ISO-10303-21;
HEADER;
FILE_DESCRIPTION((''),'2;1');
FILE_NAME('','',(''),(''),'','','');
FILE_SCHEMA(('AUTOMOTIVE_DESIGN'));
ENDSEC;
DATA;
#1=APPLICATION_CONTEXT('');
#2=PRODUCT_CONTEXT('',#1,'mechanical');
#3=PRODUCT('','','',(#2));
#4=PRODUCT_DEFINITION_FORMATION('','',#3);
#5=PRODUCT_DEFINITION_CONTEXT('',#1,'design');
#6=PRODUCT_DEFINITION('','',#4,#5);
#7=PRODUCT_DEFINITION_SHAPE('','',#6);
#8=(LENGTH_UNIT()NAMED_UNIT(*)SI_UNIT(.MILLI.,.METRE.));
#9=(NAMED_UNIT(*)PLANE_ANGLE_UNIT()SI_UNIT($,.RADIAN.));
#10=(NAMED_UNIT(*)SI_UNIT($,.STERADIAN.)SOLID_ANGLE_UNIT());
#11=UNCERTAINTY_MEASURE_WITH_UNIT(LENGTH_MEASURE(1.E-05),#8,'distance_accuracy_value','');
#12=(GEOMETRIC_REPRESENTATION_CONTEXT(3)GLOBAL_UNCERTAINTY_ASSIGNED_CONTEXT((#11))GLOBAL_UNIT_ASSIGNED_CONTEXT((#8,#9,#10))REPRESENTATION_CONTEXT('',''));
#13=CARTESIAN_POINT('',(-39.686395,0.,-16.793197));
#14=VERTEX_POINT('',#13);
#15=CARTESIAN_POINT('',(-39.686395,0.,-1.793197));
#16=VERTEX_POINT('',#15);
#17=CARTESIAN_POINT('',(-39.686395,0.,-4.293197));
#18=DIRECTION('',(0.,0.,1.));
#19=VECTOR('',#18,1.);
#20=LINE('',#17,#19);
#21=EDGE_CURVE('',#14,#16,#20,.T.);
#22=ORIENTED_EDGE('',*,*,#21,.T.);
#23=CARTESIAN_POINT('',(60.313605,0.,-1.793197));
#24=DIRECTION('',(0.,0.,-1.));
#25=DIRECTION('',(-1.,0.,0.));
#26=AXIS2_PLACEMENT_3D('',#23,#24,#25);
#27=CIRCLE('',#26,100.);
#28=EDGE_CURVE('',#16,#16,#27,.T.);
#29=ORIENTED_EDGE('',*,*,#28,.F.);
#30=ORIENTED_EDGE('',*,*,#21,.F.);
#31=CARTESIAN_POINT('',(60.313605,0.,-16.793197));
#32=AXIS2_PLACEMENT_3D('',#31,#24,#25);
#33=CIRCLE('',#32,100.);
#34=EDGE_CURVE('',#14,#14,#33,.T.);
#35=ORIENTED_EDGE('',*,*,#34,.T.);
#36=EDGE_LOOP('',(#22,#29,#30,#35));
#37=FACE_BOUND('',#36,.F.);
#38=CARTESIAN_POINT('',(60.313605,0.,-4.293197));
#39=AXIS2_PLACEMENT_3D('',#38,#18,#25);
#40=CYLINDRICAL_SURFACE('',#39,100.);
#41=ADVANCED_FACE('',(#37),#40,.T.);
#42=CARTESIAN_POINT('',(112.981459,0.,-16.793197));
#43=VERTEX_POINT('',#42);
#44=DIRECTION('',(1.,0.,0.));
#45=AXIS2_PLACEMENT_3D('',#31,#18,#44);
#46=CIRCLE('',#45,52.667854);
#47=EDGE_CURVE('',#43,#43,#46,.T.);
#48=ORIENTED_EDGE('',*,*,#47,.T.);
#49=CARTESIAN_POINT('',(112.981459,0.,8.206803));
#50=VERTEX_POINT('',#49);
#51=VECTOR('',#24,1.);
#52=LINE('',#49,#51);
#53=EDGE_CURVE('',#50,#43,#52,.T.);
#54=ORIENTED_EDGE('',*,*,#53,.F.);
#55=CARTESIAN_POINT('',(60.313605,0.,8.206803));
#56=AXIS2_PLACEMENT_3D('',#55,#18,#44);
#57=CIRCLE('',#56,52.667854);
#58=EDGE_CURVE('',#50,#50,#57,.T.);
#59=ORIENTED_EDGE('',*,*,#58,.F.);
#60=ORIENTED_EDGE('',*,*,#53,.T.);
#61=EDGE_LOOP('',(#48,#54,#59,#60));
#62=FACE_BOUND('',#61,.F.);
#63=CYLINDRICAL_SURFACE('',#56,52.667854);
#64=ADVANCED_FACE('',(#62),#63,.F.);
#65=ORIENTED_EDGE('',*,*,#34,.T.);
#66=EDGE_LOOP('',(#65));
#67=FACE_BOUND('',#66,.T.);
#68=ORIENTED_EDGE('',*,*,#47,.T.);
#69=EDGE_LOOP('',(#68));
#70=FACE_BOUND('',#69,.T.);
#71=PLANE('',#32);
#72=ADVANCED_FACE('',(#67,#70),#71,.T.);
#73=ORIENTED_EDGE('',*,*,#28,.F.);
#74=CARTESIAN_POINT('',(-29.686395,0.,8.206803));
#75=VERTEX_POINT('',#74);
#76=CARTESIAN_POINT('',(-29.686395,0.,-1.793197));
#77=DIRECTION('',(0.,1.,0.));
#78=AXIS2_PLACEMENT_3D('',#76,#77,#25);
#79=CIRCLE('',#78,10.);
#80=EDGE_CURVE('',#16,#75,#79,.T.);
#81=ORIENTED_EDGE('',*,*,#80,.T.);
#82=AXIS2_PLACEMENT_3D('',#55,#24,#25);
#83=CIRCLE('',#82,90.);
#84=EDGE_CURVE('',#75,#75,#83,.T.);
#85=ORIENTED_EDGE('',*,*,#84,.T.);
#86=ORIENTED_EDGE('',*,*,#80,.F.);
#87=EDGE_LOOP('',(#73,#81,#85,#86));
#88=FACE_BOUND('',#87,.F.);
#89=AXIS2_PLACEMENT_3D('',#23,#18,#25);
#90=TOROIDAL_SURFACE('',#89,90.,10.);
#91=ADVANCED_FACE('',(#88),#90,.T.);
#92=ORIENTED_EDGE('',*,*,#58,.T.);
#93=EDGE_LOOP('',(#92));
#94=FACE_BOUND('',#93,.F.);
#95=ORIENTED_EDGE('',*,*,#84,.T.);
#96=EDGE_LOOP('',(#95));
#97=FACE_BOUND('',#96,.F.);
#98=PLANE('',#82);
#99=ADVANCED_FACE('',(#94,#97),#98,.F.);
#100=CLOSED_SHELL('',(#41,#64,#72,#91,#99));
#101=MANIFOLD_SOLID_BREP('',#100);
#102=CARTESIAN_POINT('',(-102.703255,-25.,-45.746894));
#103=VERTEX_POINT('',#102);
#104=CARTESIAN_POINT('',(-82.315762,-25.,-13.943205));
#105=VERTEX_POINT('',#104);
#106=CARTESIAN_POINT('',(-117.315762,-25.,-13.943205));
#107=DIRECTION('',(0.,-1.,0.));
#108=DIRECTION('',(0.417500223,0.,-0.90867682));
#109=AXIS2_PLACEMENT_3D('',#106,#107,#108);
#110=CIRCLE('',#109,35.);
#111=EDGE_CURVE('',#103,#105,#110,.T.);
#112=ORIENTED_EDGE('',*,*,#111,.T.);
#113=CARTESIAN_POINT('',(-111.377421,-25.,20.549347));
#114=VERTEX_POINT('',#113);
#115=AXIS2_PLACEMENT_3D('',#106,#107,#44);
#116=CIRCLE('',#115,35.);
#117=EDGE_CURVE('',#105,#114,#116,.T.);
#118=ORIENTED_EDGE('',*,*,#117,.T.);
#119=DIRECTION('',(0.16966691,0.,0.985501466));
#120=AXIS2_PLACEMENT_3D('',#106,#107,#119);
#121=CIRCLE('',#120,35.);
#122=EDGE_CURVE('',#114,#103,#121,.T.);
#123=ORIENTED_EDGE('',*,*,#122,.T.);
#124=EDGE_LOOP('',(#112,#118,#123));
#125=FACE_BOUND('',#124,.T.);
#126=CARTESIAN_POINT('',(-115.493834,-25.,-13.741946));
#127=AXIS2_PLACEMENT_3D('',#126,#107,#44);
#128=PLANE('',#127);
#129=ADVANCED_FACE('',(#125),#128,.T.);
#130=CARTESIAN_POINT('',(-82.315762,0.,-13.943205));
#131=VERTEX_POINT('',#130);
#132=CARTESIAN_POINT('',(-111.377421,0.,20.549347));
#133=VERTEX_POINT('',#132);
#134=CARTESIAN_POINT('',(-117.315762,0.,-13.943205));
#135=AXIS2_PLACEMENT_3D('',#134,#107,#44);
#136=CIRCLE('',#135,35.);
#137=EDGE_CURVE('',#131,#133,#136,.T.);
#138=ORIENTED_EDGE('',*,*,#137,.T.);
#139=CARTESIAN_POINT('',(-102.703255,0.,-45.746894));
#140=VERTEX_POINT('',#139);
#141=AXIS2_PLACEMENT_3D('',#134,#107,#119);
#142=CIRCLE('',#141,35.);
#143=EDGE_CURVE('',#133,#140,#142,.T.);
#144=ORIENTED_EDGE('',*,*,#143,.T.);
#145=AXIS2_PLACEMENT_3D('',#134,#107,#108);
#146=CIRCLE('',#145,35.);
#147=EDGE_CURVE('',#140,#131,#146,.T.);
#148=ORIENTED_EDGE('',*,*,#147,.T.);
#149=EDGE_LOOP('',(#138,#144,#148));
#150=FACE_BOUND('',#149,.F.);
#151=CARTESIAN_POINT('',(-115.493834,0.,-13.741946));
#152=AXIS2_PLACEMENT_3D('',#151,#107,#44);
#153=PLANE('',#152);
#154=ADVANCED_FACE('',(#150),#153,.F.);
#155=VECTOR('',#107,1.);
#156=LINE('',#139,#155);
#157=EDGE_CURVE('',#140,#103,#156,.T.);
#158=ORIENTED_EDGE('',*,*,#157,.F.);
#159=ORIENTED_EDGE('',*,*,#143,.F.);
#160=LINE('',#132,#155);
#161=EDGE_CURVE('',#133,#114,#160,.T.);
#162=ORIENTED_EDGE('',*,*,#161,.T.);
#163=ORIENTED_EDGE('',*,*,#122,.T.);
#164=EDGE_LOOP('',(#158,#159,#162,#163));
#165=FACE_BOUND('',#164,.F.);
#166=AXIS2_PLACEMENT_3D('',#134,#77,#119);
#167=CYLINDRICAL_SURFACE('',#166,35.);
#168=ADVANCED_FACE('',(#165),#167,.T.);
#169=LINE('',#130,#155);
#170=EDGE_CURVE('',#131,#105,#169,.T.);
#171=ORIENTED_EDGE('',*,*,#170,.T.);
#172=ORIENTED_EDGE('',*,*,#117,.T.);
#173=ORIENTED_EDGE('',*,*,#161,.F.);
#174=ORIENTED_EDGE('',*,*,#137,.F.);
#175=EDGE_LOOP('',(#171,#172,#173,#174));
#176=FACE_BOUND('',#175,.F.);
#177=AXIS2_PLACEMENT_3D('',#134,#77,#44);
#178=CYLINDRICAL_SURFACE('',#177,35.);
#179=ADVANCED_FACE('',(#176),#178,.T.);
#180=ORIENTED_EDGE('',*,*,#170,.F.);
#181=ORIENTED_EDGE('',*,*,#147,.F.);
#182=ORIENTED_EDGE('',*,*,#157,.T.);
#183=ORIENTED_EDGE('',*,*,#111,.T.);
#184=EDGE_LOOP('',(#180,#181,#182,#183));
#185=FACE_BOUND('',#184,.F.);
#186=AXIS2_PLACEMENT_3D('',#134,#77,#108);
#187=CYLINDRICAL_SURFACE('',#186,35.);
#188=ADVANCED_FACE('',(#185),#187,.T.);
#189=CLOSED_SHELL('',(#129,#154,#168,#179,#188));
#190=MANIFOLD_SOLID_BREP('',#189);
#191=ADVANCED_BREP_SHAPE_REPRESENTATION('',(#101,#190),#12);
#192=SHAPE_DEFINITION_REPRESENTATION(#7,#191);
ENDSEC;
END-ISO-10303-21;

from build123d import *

# Parameters (mm, degrees)
F1_DEPTH = 25
F0_W     = 100
F0_H     = 25
F3_R     = 52.6678538914
F4_DEPTH = 57.1510077662
F5_R     = 10


with BuildPart() as f1:
    # F0 (on Front) → F1 (new body)
    with BuildSketch(Plane.XZ):
        with BuildLine():
            ThreePointArc((-82.3157624928, -13.9432047871), (-90.5497209026, 8.6084917698), (-111.3774206411, 20.5493465255))
            ThreePointArc((-111.3774206411, 20.5493465255), (-152.0199728395, -18.4838858165), (-102.7032546994, -45.7468935038))
            ThreePointArc((-102.7032546994, -45.7468935038), (-87.8502082576, -32.8318551787), (-82.3157624928, -13.9432047871))
        make_face()
    extrude(amount=F1_DEPTH)


with BuildPart() as f2:
    # F0 (on Front) → F2 (revolve)
    with BuildSketch(Plane.XZ):
        with Locations((10.3136047721, -4.2931970209)):
            Rectangle(F0_W, F0_H)
    revolve(axis=Axis((60.3136047721, 0, -4.2931970209), (0, 0, -1)))

    # F3 (on face) → F4 (cut, through all)
    with BuildSketch(Plane.XY.offset(8.2068029791)):
        with Locations((60.3136047721, 0)):
            Circle(F3_R)
    extrude(amount=-F4_DEPTH, mode=Mode.SUBTRACT)

    # F5
    f5_edges = [f2.edges().sort_by_distance(p)[0] for p in [
        (160.313605, 0, 8.206803),
    ]]
    fillet(f5_edges, radius=F5_R)


solid = Compound([f1.part, f2.part])
